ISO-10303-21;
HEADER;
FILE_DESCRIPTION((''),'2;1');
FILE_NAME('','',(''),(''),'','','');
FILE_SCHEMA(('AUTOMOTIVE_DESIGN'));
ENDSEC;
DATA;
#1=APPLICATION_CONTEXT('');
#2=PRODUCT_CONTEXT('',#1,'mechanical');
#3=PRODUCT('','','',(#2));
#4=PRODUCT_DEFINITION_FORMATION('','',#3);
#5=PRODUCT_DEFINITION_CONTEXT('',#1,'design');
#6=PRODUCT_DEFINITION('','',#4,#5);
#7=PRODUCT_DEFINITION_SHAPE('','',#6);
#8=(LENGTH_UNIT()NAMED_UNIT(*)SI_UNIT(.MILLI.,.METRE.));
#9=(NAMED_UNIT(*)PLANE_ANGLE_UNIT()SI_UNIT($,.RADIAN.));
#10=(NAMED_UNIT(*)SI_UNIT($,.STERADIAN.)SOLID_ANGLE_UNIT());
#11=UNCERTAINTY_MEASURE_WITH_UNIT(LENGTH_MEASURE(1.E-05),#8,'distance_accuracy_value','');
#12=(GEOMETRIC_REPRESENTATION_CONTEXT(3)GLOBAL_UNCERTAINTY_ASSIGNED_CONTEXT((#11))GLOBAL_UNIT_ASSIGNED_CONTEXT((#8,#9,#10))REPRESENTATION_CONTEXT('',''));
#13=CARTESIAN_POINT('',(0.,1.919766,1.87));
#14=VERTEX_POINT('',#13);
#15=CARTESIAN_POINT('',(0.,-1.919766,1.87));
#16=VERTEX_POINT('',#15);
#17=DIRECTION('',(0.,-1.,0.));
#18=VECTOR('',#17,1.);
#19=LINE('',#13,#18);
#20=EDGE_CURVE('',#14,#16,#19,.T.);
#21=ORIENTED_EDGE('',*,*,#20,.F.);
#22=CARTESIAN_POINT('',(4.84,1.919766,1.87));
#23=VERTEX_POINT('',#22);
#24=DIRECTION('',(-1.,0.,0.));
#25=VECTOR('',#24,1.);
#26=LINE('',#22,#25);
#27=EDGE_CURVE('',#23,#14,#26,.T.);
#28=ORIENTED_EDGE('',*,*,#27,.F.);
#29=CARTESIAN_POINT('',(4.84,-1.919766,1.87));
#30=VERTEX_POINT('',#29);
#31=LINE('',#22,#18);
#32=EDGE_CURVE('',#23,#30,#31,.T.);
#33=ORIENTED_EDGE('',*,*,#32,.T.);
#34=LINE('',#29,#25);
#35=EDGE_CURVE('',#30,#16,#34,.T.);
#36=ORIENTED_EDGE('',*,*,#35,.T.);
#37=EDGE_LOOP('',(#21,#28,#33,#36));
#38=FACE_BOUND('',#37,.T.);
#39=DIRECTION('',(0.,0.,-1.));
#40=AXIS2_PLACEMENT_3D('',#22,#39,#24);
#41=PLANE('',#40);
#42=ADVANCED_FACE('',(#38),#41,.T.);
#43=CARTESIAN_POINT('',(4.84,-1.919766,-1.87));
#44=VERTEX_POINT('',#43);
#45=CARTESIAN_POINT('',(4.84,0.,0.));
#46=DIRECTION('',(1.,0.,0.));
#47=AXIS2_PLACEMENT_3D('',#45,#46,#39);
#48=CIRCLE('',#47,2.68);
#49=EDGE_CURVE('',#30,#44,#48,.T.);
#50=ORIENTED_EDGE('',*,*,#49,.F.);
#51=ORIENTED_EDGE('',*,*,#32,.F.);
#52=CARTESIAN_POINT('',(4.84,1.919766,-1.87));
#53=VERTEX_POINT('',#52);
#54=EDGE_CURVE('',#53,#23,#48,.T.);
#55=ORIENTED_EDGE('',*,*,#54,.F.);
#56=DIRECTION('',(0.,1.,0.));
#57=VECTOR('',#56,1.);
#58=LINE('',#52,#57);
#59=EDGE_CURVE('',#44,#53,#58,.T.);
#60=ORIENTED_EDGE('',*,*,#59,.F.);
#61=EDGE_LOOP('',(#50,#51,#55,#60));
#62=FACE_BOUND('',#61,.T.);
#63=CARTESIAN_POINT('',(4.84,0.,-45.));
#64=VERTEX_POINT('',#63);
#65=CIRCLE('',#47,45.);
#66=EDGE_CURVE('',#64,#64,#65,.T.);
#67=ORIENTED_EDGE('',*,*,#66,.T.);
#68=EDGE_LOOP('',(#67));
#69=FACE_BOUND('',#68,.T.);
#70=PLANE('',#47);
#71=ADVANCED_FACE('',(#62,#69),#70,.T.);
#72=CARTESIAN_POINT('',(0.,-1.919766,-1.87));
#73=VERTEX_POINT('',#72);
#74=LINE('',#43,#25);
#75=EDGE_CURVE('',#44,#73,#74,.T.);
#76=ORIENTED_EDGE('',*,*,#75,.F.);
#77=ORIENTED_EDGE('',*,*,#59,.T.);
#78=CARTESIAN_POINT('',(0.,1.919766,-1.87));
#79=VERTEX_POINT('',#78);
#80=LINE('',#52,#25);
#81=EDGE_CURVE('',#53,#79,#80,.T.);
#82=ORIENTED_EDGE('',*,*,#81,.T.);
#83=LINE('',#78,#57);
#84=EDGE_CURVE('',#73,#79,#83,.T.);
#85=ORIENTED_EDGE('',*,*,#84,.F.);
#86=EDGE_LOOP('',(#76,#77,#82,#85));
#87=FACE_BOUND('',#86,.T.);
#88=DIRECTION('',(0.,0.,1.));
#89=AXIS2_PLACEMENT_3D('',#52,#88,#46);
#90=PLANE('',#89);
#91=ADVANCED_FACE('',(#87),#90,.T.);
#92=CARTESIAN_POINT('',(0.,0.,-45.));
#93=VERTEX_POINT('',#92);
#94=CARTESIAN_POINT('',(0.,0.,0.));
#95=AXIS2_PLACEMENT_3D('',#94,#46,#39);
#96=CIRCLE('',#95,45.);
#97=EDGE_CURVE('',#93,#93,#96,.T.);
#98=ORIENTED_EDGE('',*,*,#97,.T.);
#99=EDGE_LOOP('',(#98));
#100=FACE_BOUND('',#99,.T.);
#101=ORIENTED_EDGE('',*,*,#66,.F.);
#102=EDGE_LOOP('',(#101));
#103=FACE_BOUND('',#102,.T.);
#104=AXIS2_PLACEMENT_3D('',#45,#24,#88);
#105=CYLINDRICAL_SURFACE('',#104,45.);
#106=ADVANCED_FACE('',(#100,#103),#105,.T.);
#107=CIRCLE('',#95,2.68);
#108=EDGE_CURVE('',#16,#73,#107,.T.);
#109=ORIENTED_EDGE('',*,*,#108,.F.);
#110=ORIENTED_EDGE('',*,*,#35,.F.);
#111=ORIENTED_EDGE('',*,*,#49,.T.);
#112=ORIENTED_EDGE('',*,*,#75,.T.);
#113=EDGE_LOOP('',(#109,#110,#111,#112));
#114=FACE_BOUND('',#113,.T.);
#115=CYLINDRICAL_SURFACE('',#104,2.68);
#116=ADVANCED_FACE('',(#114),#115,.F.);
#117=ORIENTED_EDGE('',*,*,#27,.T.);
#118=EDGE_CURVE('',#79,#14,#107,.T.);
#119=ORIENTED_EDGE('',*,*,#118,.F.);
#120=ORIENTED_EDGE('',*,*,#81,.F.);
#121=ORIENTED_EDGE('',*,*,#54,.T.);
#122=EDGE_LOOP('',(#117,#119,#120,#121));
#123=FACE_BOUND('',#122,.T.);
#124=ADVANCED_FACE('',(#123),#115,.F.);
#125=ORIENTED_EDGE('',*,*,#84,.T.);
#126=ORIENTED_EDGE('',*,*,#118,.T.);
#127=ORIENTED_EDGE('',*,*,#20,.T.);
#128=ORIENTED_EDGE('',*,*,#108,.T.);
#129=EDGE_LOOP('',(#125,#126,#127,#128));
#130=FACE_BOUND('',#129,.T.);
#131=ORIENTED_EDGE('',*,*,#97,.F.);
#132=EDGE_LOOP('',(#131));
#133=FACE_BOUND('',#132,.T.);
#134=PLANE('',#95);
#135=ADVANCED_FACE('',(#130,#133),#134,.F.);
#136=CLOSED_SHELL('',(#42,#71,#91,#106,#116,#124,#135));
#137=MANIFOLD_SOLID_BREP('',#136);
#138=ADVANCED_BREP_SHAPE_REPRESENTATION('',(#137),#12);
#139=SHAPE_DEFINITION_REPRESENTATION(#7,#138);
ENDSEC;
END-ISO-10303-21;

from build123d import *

# Parameters (mm, degrees)
CROQUIS1_R              = 45
SALIENTE_EXTRUIR1_DEPTH = 4.84


with BuildPart() as part:
    # Croquis1 → Saliente-Extruir1 (new body)
    with BuildSketch(Plane(origin=(0, 0, 0), x_dir=(0, 0, -1), z_dir=(1, 0, 0))):
        Circle(CROQUIS1_R)
        with BuildLine():
            Line((-1.87, 1.919765611), (-1.87, -1.919765611))
            ThreePointArc((-1.87, -1.919765611), (0, -2.68), (1.87, -1.919765611))
            Line((1.87, -1.919765611), (1.87, 1.919765611))
            ThreePointArc((1.87, 1.919765611), (0, 2.68), (-1.87, 1.919765611))
        make_face(mode=Mode.SUBTRACT)
    extrude(amount=SALIENTE_EXTRUIR1_DEPTH)


solid = part.part
